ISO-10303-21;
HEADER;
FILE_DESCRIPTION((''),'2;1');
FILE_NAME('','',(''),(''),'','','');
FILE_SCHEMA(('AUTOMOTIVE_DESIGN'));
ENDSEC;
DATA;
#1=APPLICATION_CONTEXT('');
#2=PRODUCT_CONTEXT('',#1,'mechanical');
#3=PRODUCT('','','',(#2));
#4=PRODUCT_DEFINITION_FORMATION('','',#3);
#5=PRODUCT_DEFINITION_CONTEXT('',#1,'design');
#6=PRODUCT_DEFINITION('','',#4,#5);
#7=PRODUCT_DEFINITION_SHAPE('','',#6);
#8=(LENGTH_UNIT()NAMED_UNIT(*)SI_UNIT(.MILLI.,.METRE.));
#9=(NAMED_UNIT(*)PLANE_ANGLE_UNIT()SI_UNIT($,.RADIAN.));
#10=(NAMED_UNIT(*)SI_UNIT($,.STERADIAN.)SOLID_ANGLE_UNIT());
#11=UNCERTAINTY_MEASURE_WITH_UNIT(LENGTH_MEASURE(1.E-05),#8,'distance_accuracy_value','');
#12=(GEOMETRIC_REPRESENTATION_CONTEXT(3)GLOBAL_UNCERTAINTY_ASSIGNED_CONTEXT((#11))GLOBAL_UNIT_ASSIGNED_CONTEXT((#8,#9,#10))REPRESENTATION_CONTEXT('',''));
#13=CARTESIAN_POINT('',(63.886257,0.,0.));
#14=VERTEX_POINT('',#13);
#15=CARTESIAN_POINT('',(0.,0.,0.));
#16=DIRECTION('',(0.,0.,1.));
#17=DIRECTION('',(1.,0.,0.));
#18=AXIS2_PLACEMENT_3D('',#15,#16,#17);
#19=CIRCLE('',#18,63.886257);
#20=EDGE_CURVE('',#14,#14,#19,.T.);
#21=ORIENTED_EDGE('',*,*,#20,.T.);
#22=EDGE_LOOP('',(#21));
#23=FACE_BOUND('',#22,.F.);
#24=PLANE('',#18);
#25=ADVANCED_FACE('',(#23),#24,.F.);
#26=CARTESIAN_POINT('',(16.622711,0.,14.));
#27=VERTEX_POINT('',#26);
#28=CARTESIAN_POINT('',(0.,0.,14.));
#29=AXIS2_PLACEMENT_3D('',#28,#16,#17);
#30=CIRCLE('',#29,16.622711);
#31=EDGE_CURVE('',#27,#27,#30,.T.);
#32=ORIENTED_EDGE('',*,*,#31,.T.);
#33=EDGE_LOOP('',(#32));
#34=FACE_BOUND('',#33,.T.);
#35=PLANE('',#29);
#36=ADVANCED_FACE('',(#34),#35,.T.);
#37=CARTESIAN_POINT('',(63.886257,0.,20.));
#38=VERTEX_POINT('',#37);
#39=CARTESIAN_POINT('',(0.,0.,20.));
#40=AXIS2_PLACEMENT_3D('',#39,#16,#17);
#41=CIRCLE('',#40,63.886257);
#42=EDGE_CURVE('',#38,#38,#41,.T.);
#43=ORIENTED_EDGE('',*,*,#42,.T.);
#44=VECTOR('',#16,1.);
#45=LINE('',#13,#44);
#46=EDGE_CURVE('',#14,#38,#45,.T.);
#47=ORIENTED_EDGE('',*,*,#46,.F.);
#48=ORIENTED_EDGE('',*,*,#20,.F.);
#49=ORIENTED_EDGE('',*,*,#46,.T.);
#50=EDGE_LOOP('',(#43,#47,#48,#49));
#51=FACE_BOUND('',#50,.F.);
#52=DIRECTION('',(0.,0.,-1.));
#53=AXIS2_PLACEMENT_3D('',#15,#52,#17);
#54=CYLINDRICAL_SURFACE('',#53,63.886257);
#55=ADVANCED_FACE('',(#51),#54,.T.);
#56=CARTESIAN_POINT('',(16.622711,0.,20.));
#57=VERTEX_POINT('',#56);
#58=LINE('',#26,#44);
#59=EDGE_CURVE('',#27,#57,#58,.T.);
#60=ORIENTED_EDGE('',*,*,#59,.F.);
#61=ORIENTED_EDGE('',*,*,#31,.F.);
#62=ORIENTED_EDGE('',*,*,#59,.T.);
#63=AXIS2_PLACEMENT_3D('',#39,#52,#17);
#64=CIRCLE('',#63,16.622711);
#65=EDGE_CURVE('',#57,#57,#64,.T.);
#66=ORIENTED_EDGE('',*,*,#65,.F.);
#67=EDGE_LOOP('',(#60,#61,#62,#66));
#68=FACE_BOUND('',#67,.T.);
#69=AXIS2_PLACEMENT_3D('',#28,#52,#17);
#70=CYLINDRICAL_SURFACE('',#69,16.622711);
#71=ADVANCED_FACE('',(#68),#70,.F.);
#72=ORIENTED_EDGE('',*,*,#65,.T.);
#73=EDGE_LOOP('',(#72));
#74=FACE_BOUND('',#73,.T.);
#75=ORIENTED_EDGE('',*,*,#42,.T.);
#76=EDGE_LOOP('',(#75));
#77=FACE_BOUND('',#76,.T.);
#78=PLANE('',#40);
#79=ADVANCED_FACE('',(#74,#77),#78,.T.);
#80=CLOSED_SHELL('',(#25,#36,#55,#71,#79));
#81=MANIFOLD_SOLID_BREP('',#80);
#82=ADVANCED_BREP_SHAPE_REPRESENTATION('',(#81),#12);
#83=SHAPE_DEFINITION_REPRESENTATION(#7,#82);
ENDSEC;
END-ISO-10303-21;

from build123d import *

# Parameters (mm, degrees)
SKETCH003_R  = 16.622711
PAD001_DEPTH = 10
SKETCH_R     = 63.886257
PAD_DEPTH    = 20


with BuildPart() as body001:
    # Sketch003 → Pad001 (new body)
    with BuildSketch(Plane.XY.offset(14)):
        Circle(SKETCH003_R)
    extrude(amount=PAD001_DEPTH)


with BuildPart() as cut:
    # Sketch → Pad (new body)
    with BuildSketch(Plane.XY):
        Circle(SKETCH_R)
    extrude(amount=PAD_DEPTH)

    # Cut: cut Body001
    add(body001.part, mode=Mode.SUBTRACT)


solid = cut.part
